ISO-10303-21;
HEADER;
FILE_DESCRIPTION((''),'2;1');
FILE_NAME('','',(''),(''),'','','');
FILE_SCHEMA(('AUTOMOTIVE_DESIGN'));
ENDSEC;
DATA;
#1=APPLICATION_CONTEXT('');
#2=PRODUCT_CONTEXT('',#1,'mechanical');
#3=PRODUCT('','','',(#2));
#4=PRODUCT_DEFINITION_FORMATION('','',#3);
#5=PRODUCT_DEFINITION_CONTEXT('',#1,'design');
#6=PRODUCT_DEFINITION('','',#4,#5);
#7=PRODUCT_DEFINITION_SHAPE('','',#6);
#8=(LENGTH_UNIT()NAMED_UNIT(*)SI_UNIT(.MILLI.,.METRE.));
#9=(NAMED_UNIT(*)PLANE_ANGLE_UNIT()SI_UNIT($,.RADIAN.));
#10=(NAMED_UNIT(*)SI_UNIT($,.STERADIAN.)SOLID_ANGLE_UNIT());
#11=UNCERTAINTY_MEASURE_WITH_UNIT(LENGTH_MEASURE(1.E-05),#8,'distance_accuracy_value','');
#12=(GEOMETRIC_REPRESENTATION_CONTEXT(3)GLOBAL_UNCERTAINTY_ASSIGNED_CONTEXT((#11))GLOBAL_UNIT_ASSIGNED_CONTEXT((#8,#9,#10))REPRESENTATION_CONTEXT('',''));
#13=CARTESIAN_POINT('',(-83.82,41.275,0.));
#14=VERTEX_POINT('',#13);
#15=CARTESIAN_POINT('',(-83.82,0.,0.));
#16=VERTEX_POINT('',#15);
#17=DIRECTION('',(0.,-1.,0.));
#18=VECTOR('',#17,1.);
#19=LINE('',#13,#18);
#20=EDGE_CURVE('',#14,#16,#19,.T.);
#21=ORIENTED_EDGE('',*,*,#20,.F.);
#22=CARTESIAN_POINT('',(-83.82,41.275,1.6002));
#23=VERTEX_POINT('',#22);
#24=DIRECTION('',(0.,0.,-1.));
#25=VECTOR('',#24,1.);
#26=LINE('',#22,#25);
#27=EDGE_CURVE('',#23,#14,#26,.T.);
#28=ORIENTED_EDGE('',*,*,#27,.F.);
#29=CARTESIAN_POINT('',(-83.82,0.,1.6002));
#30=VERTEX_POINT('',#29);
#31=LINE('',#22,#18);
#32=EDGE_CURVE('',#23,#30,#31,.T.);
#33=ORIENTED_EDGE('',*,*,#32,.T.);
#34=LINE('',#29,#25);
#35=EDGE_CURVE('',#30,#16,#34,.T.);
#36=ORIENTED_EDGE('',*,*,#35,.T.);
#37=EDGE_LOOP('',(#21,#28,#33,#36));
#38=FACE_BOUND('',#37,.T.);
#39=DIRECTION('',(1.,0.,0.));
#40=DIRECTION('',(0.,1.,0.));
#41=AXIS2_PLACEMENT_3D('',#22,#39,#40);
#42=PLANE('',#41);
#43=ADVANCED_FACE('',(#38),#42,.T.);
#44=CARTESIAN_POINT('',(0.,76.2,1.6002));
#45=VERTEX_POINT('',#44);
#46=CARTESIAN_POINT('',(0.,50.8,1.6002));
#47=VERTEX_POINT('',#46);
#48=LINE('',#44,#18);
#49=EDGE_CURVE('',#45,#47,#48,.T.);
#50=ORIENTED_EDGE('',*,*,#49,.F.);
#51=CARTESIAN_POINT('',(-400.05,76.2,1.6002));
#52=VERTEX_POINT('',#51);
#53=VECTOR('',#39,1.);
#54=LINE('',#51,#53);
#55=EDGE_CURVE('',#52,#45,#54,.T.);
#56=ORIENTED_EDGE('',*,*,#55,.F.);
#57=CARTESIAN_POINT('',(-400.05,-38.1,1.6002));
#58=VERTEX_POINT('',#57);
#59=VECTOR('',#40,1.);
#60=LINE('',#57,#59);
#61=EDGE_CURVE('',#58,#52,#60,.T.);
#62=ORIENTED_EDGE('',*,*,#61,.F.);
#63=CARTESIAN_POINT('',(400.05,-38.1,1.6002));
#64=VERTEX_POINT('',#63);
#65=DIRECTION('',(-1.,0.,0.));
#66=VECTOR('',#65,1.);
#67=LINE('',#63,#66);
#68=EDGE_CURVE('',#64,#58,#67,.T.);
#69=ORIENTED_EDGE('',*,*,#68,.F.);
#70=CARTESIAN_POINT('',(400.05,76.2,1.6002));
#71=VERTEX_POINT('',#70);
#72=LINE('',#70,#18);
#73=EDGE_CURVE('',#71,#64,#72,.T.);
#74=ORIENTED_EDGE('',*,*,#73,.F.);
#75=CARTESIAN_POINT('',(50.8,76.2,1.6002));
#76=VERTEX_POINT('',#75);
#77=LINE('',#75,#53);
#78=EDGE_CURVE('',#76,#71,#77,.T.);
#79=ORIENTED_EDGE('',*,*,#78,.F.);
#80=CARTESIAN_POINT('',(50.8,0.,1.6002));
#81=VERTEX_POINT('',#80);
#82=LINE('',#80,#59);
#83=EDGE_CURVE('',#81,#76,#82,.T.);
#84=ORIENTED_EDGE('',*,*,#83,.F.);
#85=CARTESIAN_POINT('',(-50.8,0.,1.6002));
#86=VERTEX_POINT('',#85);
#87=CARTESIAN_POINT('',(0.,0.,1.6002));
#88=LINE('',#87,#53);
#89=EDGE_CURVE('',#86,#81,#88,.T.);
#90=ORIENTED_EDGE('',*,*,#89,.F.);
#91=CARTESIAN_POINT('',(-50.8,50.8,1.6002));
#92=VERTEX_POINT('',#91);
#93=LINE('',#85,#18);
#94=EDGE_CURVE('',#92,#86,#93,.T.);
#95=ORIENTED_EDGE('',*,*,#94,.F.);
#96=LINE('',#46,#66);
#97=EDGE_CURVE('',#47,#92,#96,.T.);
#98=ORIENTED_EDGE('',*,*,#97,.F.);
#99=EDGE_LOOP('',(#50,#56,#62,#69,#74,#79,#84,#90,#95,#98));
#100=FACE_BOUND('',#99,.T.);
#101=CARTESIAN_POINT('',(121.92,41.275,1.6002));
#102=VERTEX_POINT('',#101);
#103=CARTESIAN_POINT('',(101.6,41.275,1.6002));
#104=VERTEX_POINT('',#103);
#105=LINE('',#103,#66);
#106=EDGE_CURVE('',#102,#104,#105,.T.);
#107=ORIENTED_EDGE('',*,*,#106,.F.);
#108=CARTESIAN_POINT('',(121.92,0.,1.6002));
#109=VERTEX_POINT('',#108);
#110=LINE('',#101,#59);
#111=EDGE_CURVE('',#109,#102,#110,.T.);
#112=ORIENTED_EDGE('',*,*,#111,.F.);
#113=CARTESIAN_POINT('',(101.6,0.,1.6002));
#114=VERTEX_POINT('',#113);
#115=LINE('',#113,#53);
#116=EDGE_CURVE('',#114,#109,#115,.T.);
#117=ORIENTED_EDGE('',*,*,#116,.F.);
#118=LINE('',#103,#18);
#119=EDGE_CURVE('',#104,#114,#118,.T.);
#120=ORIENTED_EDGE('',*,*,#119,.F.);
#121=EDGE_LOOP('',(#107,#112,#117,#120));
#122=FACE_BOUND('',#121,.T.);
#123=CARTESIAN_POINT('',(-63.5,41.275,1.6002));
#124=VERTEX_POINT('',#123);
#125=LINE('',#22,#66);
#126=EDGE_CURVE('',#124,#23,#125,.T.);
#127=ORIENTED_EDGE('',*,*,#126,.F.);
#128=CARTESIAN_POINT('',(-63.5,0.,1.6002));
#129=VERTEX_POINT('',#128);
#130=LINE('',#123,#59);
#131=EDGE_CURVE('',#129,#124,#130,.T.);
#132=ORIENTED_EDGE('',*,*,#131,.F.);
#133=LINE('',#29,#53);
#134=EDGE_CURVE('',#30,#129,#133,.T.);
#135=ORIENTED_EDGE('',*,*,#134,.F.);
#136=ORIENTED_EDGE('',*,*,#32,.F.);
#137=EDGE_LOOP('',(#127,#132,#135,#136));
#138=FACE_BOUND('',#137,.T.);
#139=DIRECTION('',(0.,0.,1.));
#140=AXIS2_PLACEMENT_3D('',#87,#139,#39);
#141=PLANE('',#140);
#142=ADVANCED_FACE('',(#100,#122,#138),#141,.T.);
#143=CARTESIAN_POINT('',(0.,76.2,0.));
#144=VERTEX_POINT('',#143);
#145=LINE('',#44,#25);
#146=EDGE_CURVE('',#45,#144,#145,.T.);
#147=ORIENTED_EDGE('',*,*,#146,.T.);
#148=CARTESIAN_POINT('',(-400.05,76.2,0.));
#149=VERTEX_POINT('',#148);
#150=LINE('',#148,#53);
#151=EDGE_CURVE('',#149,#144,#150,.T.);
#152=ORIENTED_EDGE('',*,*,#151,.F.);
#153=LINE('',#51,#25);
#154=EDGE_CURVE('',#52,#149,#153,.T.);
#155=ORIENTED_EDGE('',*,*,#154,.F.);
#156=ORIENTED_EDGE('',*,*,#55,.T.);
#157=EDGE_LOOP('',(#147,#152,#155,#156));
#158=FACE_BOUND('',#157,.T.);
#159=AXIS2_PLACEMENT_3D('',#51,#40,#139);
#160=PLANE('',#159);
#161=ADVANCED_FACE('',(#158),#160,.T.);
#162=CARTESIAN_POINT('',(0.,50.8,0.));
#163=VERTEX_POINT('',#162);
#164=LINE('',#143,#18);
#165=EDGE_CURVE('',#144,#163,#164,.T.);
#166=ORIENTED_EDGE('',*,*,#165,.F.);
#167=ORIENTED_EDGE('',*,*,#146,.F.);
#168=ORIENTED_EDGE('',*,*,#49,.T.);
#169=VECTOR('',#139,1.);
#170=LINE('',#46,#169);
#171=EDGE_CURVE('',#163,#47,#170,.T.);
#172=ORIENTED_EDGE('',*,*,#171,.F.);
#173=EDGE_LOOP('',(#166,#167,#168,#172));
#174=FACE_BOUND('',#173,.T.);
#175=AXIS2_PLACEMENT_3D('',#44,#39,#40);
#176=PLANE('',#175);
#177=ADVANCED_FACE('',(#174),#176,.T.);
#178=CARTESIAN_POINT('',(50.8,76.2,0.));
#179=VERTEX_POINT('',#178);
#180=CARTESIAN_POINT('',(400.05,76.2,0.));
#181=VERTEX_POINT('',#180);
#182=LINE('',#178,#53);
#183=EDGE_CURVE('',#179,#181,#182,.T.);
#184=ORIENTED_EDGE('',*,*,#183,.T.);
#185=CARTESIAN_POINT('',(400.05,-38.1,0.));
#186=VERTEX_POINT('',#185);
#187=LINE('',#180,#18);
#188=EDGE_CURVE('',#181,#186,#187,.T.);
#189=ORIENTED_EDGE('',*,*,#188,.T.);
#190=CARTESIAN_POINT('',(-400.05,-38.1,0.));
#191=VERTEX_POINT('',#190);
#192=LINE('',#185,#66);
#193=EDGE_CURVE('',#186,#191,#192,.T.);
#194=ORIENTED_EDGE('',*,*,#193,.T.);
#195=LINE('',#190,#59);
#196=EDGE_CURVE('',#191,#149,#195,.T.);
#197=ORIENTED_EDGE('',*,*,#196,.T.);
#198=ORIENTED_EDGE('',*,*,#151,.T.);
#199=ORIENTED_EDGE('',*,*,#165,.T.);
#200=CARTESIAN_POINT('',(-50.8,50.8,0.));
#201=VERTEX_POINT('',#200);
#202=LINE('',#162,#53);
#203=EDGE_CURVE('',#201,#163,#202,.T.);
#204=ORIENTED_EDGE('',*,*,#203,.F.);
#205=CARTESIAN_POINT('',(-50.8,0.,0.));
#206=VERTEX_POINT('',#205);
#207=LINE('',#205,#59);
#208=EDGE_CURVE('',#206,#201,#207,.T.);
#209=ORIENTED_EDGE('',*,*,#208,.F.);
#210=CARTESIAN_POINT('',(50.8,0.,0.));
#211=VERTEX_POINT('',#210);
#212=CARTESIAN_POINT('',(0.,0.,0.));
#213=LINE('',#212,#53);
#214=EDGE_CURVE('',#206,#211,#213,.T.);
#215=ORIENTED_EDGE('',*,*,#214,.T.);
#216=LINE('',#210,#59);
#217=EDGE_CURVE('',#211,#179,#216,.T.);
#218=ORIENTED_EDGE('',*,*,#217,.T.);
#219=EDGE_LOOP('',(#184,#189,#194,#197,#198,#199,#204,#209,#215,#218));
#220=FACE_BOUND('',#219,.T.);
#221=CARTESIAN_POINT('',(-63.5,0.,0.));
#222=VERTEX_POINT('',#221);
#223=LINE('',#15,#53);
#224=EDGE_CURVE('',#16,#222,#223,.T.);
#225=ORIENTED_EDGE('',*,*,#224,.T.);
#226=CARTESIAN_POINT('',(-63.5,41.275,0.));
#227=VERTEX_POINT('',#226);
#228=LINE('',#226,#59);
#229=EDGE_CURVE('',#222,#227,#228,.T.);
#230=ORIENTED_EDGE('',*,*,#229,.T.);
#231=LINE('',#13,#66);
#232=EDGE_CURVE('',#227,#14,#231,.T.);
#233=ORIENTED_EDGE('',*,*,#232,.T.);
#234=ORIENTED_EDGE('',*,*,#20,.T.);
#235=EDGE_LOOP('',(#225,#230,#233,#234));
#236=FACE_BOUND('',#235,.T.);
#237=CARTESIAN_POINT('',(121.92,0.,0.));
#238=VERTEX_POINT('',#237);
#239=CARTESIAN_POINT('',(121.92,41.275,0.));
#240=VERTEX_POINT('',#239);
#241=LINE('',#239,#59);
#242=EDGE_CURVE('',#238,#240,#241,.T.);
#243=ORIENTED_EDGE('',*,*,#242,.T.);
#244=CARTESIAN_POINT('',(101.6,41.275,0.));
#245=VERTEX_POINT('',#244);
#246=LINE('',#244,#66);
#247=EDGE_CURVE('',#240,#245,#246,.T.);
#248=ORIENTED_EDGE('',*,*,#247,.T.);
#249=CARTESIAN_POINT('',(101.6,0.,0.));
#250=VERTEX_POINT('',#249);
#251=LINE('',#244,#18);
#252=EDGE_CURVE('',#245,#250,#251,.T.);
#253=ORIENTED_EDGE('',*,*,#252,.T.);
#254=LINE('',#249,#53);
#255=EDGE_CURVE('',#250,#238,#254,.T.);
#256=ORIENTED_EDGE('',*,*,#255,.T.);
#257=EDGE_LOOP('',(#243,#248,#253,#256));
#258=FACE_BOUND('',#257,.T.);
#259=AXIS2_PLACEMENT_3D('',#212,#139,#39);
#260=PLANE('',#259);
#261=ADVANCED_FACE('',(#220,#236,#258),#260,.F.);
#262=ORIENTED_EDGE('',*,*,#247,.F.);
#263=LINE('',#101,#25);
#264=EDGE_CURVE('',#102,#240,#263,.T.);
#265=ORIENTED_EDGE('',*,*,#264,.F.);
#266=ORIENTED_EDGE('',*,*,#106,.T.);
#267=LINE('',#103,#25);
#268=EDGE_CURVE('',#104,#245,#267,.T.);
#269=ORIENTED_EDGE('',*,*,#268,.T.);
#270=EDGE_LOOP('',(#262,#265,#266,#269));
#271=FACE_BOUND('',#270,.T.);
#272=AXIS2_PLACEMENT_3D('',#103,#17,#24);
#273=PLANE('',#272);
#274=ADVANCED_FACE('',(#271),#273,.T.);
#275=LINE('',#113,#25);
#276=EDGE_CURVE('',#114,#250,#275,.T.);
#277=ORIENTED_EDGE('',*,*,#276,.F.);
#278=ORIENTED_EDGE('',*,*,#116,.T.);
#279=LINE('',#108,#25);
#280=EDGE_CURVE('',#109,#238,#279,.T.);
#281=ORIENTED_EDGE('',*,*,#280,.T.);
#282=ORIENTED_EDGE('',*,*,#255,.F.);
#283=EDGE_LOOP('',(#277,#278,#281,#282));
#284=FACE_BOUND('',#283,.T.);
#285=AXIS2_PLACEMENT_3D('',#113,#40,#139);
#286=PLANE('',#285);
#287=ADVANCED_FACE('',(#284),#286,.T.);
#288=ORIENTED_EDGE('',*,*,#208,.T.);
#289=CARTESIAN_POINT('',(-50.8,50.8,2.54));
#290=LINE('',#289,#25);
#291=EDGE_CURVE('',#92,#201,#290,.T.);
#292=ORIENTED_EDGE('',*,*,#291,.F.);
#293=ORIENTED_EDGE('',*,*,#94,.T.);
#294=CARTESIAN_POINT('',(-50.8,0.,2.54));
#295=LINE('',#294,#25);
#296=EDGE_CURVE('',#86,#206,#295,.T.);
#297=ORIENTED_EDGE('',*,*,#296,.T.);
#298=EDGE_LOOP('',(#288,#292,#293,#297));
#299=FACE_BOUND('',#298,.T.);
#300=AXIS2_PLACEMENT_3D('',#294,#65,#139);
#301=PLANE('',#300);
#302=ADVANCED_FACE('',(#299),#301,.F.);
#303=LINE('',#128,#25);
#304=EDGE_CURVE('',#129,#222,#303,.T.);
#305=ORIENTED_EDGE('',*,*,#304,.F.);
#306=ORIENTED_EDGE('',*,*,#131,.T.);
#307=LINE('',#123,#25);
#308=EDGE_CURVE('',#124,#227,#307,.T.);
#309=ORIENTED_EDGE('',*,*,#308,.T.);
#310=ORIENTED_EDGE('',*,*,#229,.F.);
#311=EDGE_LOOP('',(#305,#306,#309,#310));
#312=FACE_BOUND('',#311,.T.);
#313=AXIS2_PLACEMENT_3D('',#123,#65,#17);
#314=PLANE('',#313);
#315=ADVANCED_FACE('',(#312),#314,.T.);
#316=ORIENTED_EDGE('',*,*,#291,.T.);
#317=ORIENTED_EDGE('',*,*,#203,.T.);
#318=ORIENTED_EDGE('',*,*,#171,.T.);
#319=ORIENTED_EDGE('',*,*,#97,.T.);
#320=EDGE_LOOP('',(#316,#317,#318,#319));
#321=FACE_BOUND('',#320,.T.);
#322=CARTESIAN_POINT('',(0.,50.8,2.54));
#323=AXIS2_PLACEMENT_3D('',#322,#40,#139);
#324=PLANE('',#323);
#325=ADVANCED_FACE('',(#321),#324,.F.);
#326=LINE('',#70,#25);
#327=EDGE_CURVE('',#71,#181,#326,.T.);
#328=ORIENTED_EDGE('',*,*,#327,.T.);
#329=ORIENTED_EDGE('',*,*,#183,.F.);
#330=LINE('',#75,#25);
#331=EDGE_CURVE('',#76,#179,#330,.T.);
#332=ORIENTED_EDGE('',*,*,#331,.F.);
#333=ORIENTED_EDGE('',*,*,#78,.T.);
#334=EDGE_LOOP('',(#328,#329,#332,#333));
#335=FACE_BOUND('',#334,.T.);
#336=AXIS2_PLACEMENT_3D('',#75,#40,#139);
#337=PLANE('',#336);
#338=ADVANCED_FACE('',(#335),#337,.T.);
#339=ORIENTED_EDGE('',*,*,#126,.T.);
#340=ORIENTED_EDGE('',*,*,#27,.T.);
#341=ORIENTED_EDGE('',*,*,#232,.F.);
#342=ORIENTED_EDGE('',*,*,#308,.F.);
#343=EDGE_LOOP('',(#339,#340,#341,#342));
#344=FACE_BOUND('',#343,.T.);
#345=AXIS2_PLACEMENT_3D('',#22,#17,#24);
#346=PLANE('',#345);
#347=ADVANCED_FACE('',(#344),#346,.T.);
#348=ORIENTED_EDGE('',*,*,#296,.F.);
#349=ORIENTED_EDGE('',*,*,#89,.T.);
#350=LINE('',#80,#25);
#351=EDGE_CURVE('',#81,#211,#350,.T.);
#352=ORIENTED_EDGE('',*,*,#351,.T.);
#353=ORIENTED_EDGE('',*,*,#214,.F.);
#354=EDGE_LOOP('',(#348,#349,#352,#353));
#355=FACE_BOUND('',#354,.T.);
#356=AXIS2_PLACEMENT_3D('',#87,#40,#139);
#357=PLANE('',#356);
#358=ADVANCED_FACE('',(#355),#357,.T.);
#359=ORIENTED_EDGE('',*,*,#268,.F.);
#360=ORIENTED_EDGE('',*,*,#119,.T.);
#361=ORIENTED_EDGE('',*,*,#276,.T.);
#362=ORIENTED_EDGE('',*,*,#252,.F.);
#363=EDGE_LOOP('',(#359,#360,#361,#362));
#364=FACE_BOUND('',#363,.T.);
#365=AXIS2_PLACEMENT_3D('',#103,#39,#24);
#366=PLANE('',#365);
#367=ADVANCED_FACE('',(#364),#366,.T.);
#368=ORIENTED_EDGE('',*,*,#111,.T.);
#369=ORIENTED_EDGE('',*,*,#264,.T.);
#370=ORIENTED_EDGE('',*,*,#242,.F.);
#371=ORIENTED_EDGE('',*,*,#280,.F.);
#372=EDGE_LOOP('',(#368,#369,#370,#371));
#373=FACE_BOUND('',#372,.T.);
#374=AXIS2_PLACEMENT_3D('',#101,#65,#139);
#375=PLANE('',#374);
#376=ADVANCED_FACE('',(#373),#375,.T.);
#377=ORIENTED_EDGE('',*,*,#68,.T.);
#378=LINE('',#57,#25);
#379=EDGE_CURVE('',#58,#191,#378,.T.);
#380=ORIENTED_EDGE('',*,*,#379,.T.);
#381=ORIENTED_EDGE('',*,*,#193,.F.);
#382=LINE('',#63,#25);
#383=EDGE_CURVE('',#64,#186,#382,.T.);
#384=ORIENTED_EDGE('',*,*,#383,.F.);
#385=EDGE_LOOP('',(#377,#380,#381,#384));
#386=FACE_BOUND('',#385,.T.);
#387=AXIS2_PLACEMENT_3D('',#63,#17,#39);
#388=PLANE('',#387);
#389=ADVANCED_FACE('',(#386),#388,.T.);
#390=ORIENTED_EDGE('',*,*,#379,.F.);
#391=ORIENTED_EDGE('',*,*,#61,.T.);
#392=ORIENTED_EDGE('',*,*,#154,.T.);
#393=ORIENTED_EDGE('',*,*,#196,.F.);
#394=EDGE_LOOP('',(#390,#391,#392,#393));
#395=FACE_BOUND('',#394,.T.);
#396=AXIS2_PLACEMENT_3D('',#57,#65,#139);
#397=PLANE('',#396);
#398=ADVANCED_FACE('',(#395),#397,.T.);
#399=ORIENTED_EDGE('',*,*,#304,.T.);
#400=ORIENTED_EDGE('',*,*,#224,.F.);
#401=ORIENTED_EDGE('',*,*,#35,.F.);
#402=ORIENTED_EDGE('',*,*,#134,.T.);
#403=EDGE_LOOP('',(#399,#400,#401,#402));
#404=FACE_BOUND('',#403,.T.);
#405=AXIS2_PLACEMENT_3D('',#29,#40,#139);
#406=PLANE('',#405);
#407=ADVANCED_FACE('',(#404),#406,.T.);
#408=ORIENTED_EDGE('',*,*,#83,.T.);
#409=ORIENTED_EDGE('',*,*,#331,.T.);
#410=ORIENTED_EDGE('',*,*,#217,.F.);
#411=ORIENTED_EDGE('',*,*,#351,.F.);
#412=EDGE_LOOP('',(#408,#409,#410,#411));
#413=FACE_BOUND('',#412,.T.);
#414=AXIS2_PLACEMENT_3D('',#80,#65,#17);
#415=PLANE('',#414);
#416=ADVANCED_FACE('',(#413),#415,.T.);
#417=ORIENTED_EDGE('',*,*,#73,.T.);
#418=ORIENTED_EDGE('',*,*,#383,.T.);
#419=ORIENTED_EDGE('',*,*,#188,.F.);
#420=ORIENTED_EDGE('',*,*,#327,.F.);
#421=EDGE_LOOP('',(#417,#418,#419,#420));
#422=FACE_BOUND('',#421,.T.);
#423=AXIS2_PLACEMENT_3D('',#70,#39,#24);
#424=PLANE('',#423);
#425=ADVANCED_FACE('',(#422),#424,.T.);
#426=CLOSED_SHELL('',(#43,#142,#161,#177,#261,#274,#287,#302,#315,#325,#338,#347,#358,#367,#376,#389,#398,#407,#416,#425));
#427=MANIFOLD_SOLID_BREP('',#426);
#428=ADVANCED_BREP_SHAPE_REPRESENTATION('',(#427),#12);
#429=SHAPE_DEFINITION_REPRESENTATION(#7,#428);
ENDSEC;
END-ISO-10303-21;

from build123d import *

# Parameters (mm, degrees)
BOSS_EXTRUDE1_DEPTH = 1.6002
SKETCH2_W           = 20.32
SKETCH2_H           = 41.275
CUT_EXTRUDE5_DEPTH  = 2.6002
SKETCH3_W           = 50.8
SKETCH3_H           = 50.8
CUT_EXTRUDE6_DEPTH  = 2.54


with BuildPart() as part:
    # Sketch1 → Boss-Extrude1 (new body)
    with BuildSketch(Plane.XY):
        Polygon((0, 0), (50.8, 0), (50.8, 76.2), (400.05, 76.2), (400.05, -38.1), (-400.05, -38.1), (-400.05, 76.2), (0, 76.2), align=None)
    extrude(amount=BOSS_EXTRUDE1_DEPTH)

    # Sketch2 → Cut-Extrude5 (cut, through all)
    with BuildSketch(Plane.XY):
        with Locations((-73.66, 20.6375)):
            Rectangle(SKETCH2_W, SKETCH2_H)
        with Locations((111.76, 20.6375)):
            Rectangle(SKETCH2_W, SKETCH2_H)
    extrude(amount=CUT_EXTRUDE5_DEPTH, mode=Mode.SUBTRACT)

    # Sketch3 → Cut-Extrude6 (cut)
    with BuildSketch(Plane(origin=(0, 0, 0), x_dir=(-1, 0, 0), z_dir=(0, 0, -1))):
        with Locations((25.4, 25.4)):
            Rectangle(SKETCH3_W, SKETCH3_H)
    extrude(amount=-CUT_EXTRUDE6_DEPTH, mode=Mode.SUBTRACT)


solid = part.part
